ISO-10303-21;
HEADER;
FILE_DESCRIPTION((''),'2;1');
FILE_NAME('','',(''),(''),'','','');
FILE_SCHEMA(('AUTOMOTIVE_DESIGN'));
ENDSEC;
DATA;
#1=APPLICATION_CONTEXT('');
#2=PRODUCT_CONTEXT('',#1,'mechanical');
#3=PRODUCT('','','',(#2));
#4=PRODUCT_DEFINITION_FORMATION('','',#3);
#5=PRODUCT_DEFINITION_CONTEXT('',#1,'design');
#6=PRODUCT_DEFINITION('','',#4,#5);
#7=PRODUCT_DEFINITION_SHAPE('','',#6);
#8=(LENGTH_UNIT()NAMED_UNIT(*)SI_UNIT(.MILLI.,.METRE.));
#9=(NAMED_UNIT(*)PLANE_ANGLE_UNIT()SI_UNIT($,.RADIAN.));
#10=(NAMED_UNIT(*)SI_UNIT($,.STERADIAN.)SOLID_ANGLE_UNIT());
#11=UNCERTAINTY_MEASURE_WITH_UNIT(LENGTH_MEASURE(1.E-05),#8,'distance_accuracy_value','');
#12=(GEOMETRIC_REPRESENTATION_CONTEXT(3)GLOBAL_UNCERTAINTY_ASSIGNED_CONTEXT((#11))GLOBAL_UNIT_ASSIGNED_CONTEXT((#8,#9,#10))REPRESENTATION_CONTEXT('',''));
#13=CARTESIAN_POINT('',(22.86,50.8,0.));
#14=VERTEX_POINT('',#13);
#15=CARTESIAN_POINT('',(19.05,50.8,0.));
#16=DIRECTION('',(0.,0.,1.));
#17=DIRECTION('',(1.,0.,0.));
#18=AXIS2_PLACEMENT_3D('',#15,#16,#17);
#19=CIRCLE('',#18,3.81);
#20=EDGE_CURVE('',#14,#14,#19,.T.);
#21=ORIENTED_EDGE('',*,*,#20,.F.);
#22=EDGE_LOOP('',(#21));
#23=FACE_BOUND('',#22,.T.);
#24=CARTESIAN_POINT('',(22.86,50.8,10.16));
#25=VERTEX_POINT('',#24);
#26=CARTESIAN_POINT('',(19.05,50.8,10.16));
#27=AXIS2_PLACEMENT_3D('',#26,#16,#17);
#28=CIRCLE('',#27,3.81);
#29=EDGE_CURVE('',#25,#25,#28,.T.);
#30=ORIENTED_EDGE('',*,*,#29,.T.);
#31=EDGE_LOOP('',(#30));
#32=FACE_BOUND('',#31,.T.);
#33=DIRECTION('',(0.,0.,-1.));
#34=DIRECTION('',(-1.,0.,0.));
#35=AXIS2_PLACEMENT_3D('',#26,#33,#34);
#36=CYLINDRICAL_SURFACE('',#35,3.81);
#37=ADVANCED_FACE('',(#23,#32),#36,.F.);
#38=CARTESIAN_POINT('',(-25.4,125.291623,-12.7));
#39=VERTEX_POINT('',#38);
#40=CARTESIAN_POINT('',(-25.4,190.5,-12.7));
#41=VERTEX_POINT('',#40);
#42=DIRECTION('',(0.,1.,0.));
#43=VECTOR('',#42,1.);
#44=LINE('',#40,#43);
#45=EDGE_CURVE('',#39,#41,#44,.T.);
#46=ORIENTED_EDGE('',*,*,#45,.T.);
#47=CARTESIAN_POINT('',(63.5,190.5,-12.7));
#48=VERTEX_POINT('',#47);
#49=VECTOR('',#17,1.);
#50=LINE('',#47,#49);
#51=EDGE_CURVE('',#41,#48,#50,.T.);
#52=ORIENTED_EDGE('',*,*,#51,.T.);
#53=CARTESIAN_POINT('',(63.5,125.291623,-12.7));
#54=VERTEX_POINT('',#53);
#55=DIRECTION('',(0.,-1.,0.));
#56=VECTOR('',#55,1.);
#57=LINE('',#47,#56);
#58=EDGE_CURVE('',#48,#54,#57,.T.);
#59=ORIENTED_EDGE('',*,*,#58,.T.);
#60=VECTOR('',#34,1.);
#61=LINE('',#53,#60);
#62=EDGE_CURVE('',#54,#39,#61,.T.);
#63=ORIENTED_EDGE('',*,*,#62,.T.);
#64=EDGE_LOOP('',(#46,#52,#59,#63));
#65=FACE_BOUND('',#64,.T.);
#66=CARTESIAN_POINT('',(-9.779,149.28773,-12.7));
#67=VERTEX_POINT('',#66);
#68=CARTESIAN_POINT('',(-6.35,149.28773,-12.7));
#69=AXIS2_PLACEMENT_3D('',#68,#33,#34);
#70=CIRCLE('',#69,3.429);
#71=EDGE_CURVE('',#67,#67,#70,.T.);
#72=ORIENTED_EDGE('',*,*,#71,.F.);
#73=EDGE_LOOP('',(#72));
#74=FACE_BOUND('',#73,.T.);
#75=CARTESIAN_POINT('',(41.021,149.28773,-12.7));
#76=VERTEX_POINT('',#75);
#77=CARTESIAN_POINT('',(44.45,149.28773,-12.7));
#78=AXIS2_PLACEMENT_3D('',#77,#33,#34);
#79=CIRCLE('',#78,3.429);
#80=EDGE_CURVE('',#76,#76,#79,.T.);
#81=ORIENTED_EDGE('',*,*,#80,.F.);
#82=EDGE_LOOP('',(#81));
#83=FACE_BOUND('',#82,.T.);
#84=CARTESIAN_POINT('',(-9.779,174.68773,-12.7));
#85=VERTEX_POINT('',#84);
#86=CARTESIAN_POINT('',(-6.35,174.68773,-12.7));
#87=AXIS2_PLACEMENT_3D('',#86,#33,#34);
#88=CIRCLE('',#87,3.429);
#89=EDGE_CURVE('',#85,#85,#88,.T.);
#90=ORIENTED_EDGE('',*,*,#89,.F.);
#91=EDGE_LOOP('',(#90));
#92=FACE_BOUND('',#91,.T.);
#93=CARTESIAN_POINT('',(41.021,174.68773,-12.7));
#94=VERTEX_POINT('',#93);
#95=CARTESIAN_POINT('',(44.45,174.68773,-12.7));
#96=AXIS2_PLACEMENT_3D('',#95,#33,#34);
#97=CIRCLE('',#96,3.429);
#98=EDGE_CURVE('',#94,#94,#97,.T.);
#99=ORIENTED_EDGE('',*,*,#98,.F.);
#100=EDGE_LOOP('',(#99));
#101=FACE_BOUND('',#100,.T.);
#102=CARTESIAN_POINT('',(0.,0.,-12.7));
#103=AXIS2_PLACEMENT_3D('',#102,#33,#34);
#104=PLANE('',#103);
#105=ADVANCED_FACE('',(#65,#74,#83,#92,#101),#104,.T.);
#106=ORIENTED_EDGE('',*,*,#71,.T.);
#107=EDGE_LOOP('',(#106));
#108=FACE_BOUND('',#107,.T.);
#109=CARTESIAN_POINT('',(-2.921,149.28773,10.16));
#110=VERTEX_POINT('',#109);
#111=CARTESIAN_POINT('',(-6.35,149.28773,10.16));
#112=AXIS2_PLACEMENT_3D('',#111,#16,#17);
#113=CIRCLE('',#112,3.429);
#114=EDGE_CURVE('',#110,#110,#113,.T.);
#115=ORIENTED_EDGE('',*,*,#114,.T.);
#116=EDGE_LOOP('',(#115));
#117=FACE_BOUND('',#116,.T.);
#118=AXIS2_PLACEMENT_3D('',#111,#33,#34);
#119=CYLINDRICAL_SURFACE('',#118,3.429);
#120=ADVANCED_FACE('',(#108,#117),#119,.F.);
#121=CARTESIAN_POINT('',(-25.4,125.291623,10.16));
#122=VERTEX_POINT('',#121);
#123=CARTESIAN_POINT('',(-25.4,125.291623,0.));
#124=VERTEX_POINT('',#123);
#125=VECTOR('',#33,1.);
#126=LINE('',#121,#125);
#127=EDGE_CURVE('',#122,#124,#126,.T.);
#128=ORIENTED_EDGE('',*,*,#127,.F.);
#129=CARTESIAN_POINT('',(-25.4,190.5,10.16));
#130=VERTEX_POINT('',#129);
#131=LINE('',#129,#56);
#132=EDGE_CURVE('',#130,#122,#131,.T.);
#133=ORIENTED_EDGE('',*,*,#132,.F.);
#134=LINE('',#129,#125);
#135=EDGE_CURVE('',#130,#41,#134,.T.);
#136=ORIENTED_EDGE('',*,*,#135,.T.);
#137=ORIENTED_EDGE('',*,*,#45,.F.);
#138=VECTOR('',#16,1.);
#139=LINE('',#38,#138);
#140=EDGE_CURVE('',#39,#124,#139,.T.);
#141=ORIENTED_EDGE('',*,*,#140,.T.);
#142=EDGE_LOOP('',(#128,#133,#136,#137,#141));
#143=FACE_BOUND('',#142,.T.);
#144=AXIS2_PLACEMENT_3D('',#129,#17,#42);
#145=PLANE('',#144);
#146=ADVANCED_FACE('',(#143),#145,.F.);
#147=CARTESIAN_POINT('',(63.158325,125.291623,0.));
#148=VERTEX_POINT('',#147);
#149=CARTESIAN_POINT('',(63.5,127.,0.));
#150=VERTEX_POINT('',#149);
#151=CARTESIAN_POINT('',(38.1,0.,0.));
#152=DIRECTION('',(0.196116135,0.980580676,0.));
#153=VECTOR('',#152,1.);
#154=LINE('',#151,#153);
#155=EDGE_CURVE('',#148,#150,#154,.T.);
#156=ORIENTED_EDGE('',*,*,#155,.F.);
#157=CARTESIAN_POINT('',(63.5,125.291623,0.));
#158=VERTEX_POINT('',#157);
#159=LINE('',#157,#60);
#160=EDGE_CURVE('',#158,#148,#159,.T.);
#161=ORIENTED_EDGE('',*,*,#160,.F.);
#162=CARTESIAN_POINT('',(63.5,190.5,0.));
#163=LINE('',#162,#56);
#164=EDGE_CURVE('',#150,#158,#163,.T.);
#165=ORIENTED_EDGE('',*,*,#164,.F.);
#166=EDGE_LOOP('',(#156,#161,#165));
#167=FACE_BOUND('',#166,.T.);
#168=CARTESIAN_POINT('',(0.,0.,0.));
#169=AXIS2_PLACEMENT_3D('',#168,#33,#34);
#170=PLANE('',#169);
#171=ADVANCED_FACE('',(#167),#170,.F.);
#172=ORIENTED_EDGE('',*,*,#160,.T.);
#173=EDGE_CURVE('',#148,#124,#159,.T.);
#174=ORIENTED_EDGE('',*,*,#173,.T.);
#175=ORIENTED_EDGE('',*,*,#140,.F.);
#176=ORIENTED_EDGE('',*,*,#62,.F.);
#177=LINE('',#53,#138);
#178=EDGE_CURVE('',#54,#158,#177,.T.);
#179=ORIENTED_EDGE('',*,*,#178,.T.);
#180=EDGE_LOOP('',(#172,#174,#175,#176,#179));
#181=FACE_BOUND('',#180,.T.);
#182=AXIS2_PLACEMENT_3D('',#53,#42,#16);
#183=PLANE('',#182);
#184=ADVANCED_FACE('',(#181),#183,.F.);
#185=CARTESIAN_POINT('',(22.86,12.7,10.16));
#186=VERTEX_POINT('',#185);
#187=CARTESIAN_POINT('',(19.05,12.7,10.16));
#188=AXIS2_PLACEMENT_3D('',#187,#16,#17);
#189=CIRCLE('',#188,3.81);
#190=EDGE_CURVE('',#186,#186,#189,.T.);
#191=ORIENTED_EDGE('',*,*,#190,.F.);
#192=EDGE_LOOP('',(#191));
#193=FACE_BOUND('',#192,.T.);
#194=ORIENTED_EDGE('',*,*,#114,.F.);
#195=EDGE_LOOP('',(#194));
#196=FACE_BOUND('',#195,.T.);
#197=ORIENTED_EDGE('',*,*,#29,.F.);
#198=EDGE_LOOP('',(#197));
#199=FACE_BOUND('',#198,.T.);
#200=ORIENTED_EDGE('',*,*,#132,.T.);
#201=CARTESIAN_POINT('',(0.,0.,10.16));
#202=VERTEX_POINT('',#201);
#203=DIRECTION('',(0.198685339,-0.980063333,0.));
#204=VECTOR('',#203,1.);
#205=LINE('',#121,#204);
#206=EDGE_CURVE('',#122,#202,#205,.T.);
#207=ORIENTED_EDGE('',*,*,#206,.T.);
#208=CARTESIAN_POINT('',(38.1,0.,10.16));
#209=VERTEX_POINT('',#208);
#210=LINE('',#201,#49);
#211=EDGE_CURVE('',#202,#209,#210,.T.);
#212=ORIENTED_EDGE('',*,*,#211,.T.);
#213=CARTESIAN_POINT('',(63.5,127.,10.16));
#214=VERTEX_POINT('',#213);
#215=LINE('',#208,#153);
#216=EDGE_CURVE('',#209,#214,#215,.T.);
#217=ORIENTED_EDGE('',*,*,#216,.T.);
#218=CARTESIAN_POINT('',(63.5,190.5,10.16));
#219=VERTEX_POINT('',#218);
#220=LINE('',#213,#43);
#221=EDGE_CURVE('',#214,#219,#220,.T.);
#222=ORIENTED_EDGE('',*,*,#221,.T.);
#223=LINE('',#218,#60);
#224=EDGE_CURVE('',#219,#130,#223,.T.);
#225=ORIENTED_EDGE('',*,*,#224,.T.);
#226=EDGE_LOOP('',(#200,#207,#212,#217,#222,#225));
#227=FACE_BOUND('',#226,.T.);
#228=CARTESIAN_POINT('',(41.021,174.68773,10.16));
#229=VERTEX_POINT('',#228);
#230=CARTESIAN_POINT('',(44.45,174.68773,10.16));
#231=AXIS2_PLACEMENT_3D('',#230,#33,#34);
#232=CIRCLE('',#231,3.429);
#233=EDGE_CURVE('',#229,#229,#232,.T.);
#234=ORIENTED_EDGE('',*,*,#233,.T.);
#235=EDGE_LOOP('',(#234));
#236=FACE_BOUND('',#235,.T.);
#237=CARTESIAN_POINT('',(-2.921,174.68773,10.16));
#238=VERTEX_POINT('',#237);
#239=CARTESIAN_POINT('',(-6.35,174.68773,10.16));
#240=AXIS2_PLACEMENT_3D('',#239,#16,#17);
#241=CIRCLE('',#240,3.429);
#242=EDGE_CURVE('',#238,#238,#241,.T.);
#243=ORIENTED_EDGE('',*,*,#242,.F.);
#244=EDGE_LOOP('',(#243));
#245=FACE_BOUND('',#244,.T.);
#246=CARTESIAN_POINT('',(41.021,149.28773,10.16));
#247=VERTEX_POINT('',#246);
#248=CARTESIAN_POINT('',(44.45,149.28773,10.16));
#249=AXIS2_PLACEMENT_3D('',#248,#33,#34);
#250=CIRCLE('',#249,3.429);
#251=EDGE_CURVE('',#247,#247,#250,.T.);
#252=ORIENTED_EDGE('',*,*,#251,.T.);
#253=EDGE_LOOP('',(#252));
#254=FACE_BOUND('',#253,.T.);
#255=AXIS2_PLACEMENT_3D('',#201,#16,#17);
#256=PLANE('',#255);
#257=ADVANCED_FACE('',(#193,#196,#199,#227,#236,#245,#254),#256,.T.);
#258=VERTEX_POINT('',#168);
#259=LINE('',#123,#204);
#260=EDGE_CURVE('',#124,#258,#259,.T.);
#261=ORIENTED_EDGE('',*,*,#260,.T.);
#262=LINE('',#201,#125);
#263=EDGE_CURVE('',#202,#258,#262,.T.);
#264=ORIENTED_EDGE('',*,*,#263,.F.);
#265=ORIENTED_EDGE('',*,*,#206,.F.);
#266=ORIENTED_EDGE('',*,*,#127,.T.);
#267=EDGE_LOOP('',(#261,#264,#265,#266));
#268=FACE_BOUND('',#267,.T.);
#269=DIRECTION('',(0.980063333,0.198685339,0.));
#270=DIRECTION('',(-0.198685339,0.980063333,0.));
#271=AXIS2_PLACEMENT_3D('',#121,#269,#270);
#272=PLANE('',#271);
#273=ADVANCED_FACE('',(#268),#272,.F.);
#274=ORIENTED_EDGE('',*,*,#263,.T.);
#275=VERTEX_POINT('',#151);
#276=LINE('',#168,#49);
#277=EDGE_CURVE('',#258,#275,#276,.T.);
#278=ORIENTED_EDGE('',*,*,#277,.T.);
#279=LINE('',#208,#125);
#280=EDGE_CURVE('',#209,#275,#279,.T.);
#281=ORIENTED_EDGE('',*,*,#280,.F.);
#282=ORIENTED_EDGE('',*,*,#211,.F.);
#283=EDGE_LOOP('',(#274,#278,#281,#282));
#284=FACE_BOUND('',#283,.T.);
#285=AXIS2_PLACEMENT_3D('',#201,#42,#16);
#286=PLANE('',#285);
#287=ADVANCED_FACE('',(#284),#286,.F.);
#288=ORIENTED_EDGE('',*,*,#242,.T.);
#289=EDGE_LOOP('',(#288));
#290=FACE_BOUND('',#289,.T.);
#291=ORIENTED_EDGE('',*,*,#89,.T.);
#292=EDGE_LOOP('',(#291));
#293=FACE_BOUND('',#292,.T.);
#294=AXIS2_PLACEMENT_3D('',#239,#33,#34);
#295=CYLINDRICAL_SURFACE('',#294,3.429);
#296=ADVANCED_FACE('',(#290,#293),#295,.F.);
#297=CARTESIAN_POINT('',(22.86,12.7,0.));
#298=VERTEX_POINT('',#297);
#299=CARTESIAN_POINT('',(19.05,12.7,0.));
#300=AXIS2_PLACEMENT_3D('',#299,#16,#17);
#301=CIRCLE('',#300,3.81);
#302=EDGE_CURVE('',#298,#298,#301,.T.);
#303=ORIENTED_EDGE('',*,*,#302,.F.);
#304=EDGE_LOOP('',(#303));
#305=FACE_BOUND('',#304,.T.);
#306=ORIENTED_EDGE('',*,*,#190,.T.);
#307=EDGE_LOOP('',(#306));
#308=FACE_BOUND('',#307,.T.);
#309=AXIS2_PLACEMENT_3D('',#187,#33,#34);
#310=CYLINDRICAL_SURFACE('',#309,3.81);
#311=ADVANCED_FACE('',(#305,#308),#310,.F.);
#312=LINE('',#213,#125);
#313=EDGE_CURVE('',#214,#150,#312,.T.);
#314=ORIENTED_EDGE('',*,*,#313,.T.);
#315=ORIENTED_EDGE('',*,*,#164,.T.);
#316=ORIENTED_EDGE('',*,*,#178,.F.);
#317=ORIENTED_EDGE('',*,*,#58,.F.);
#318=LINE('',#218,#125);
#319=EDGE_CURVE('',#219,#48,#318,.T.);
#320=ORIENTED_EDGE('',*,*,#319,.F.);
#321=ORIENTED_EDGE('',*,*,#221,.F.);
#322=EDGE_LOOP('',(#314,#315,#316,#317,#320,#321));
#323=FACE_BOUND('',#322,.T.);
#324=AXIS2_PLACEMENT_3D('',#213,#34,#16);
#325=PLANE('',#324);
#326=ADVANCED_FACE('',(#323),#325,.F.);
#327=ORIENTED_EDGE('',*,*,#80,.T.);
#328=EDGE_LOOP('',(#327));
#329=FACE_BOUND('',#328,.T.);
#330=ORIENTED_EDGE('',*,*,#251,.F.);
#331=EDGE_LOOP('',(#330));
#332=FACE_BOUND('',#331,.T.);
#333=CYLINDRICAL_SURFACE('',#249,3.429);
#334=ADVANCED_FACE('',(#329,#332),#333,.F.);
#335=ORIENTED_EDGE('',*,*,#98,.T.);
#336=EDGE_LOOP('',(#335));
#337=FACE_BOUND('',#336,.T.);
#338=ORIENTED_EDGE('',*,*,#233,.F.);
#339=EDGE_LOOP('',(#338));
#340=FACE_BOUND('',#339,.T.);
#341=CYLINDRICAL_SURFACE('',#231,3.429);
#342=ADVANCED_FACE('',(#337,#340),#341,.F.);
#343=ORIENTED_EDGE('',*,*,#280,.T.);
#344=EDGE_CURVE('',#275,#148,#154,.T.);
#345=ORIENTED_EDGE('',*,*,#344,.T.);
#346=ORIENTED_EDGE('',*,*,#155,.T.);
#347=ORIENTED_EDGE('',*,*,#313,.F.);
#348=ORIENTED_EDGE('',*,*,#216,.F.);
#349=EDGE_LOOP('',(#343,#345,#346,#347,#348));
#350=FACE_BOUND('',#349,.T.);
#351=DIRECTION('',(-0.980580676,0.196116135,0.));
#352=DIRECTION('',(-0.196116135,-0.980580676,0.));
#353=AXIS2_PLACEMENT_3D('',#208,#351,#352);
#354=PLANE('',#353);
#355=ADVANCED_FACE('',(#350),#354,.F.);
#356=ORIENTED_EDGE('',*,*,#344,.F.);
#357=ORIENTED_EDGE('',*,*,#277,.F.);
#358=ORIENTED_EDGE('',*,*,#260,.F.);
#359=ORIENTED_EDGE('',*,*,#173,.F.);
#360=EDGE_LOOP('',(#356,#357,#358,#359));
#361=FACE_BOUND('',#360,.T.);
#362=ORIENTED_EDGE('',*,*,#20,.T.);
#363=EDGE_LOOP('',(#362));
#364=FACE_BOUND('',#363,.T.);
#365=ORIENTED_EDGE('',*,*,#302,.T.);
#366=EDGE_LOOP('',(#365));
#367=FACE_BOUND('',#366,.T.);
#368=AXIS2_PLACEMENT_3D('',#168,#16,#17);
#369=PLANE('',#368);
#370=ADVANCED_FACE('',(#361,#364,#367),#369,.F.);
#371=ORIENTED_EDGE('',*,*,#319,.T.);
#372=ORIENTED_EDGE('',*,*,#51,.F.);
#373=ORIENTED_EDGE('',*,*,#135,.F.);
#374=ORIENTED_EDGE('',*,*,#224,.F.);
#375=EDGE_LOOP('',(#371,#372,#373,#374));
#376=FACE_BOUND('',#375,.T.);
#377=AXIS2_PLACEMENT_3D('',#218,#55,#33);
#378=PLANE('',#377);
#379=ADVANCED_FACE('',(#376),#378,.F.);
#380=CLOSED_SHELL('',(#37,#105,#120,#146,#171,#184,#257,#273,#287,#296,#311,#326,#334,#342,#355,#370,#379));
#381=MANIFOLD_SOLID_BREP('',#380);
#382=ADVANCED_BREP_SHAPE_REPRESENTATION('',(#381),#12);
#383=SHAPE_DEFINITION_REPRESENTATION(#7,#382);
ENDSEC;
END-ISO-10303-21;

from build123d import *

# Parameters (mm, degrees)
SKETCH1_R           = 3.81
SKETCH1_R_2         = 3.429
BOSS_EXTRUDE1_DEPTH = 10.16
SKETCH2_W           = 88.9
SKETCH2_H           = 65.208376681
BOSS_EXTRUDE2_DEPTH = 12.7
CUT_EXTRUDE1_START  = -12.7
SKETCH1_3_R         = 3.429
CUT_EXTRUDE1_DEPTH  = 12.7


with BuildPart() as part:
    # Sketch1 → Boss-Extrude1 (new body)
    with BuildSketch(Plane.XY):
        Polygon((0, 0), (38.1, 0), (63.5, 127), (63.5, 190.5), (-25.4, 190.5), (-25.4, 125.291623319), align=None)
        with Locations((19.05, 12.7)):
            Circle(SKETCH1_R, mode=Mode.SUBTRACT)
        with Locations((19.05, 50.8)):
            Circle(SKETCH1_R, mode=Mode.SUBTRACT)
        with Locations((-6.35, 174.687730396)):
            Circle(SKETCH1_R_2, mode=Mode.SUBTRACT)
        with Locations((-6.35, 149.287730396)):
            Circle(SKETCH1_R_2, mode=Mode.SUBTRACT)
        with Locations(Location((44.45, 149.287730396, 0), (0, 0, 180))):
            Circle(SKETCH1_R_2, mode=Mode.SUBTRACT)
        with Locations(Location((44.45, 174.687730396, 0), (0, 0, 180))):
            Circle(SKETCH1_R_2, mode=Mode.SUBTRACT)
    extrude(amount=BOSS_EXTRUDE1_DEPTH)

    # Sketch2 → Boss-Extrude2 (add)
    with BuildSketch(Plane(origin=(0, 0, 0), x_dir=(-1, 0, 0), z_dir=(0, 0, -1))):
        with Locations((-19.05, 157.895811659)):
            Rectangle(SKETCH2_W, SKETCH2_H)
    extrude(amount=BOSS_EXTRUDE2_DEPTH)

    # Sketch1<3> → Cut-Extrude1 (cut)
    with BuildSketch(Plane.XY.offset(CUT_EXTRUDE1_START)):
        with Locations(Location((-6.35, 174.687730396, 0), (0, 0, 180))):
            Circle(SKETCH1_3_R)
        with Locations(Location((-6.35, 149.287730396, 0), (0, 0, 180))):
            Circle(SKETCH1_3_R)
        with Locations(Location((44.45, 149.287730396, 0), (0, 0, 180))):
            Circle(SKETCH1_3_R)
        with Locations(Location((44.45, 174.687730396, 0), (0, 0, 180))):
            Circle(SKETCH1_3_R)
    extrude(amount=CUT_EXTRUDE1_DEPTH, mode=Mode.SUBTRACT)


solid = part.part
